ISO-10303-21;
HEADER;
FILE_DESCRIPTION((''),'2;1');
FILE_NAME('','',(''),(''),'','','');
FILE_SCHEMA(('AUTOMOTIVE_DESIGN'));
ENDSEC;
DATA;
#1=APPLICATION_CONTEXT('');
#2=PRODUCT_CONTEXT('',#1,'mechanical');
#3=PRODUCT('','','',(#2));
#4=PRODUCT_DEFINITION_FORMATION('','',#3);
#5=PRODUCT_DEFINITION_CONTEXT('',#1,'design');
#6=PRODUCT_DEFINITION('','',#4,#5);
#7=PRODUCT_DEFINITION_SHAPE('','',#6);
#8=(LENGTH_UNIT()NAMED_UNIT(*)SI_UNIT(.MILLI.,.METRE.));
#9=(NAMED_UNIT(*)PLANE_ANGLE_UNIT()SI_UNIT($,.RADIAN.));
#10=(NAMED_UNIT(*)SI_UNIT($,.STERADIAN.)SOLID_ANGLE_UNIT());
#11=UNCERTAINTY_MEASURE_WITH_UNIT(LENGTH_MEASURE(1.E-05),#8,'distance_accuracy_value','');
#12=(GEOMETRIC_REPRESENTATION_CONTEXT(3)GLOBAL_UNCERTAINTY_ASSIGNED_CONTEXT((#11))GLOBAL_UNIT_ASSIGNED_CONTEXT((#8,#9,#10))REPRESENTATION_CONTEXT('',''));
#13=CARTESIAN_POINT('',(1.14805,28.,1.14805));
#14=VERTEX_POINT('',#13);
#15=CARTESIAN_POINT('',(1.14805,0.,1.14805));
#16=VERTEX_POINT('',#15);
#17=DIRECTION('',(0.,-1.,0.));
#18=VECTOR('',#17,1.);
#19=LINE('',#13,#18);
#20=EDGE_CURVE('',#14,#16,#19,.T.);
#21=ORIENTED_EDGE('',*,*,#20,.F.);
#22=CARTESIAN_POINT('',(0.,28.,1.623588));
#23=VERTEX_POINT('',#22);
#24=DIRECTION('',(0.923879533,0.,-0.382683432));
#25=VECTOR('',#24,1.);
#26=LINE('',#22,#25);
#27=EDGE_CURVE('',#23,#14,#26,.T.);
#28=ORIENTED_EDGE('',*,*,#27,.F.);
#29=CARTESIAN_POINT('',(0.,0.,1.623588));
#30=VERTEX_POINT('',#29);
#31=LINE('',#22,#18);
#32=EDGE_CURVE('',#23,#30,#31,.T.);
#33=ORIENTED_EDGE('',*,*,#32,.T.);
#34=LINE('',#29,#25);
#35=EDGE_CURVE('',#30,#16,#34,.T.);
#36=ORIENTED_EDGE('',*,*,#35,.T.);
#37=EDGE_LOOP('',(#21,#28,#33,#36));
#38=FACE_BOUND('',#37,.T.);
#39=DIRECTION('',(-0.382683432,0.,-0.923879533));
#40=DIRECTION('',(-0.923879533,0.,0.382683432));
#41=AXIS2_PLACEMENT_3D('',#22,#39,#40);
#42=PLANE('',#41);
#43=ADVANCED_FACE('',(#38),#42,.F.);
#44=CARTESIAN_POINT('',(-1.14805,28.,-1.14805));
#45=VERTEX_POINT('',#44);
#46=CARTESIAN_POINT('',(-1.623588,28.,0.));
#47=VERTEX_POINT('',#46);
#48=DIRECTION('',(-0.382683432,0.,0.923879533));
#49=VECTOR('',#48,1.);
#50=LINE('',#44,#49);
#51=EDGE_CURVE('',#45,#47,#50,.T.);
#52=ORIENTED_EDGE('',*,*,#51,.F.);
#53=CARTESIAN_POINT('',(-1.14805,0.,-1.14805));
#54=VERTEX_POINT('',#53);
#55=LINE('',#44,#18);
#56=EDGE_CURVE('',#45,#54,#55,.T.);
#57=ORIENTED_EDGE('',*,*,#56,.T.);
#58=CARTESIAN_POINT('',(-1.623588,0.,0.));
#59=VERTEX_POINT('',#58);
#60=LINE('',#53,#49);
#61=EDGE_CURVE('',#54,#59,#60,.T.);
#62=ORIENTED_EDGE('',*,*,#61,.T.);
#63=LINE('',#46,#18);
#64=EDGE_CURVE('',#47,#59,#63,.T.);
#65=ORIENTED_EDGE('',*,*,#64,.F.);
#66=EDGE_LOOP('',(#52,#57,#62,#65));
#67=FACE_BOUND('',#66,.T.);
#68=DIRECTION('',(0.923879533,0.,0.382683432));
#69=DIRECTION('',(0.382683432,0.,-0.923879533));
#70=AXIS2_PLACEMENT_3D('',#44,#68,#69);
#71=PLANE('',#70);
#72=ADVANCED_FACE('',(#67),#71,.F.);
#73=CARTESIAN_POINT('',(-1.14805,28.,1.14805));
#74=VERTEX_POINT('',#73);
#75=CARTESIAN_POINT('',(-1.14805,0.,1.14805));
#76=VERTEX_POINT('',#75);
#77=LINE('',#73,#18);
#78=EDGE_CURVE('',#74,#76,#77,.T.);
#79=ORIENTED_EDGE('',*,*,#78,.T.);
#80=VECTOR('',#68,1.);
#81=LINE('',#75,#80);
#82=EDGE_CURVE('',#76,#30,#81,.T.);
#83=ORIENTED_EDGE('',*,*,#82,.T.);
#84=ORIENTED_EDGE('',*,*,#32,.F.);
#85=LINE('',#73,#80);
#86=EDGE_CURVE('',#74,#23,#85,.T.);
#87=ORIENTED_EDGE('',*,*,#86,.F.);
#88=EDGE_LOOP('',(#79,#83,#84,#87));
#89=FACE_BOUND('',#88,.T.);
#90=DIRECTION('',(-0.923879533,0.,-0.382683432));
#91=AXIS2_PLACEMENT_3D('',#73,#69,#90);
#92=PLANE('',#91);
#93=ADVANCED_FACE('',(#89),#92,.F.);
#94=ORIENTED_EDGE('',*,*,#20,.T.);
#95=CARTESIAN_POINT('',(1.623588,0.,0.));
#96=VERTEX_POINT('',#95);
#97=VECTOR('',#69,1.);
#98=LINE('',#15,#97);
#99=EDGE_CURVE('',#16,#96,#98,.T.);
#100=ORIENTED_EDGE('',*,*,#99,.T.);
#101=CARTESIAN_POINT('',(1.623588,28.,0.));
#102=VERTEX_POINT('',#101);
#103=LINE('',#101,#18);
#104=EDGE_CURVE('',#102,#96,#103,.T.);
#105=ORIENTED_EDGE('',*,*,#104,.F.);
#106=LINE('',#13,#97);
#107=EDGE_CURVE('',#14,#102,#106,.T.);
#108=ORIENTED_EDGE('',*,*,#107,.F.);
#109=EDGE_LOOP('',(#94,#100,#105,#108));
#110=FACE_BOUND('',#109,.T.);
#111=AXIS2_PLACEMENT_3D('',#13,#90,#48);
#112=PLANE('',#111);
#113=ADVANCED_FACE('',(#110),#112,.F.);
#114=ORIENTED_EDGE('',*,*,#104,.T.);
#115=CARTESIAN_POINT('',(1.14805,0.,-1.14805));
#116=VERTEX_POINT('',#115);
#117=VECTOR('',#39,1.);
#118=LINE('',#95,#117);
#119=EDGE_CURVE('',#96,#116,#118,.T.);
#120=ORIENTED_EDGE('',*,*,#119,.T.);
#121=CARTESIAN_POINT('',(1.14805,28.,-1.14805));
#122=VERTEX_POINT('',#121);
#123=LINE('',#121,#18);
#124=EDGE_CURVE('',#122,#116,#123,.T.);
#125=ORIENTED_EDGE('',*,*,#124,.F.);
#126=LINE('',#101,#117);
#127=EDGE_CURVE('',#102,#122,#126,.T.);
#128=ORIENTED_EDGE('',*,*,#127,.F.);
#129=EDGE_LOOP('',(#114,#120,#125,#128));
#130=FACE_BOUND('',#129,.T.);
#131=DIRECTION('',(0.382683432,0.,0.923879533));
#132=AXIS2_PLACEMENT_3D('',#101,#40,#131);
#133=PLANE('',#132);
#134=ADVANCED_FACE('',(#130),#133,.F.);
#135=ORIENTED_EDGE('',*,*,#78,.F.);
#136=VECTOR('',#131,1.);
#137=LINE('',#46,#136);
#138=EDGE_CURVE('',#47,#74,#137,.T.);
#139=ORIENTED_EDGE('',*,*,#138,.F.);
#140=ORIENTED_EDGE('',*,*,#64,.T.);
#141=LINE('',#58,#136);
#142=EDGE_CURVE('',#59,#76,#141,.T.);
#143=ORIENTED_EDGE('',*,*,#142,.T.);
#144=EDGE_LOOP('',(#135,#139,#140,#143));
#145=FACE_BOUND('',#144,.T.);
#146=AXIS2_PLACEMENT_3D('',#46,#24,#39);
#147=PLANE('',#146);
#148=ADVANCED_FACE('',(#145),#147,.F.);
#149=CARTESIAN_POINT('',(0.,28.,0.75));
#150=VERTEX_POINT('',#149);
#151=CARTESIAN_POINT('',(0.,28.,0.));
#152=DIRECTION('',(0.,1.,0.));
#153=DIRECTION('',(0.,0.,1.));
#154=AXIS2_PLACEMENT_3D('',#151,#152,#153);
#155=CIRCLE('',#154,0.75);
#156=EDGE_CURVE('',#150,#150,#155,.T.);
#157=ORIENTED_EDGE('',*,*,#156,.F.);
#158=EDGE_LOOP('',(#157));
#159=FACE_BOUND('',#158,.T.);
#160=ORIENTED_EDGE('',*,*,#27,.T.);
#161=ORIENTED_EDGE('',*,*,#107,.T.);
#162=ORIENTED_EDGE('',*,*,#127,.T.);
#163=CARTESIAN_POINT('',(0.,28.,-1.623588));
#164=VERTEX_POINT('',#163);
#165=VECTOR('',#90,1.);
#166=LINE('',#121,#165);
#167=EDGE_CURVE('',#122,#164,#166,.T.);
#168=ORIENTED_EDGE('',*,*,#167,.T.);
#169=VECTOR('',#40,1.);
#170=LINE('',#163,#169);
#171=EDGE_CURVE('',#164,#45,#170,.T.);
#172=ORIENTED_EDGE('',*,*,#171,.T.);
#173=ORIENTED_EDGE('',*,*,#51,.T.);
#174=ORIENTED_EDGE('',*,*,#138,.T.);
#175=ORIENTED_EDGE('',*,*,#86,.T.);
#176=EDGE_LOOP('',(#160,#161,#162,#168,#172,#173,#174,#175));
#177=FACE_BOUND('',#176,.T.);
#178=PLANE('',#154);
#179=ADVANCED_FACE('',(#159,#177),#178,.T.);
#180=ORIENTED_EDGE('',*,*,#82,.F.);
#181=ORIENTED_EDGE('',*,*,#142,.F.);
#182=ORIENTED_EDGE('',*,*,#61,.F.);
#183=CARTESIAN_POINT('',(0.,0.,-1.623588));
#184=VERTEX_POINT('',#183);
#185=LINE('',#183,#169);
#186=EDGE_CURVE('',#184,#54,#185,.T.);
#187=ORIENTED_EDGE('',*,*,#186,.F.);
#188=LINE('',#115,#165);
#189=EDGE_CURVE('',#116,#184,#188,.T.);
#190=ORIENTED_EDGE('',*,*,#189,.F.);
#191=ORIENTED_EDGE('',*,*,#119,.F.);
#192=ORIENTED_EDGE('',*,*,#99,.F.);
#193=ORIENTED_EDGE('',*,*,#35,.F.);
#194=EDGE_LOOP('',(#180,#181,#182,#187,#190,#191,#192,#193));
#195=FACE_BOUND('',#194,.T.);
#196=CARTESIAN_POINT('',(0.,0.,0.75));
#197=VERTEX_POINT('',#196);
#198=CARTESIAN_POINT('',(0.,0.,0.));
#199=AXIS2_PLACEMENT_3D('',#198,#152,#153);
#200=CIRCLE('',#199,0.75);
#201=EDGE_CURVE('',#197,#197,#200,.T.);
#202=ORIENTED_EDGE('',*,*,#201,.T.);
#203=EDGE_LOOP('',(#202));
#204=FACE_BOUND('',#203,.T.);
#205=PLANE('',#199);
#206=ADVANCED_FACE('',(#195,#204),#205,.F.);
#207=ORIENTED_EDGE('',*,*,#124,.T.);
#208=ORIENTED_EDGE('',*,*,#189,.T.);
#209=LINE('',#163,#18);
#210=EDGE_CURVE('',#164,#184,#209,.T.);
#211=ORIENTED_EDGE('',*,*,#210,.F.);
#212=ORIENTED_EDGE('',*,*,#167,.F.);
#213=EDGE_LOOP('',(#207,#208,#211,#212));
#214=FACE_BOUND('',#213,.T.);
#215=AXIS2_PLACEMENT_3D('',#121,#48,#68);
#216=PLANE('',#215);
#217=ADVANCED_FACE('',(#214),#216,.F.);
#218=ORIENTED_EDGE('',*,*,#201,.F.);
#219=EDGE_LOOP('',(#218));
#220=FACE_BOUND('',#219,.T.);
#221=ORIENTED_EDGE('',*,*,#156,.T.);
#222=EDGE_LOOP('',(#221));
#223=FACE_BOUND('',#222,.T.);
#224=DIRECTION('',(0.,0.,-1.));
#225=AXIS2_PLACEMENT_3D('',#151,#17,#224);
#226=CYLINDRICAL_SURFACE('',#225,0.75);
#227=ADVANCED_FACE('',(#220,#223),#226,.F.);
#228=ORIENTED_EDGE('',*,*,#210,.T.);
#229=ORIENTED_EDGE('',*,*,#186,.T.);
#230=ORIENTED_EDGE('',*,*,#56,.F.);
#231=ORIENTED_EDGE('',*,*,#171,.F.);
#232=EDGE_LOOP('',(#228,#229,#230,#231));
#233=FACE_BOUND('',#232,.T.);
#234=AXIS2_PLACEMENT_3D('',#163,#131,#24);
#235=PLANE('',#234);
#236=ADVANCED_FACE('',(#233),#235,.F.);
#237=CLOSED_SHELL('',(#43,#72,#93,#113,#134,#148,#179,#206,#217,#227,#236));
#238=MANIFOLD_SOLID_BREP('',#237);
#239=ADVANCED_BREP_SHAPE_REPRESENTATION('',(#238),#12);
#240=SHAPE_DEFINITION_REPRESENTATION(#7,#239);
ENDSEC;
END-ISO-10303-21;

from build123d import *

# Parameters (mm, degrees)
SKETCH1_R           = 0.75
BOSS_EXTRUDE1_DEPTH = 28


with BuildPart() as part:
    # Sketch1 → Boss-Extrude1 (new body)
    with BuildSketch(Plane(origin=(0, 0, 0), x_dir=(1, 0, 0), z_dir=(0, 1, 0))):
        Polygon((1.6235883, 0), (1.148050297, 1.148050297), (0, 1.6235883), (-1.148050297, 1.148050297), (-1.6235883, 0), (-1.148050297, -1.148050297), (0, -1.6235883), (1.148050297, -1.148050297), align=None)
        with Locations(Location((0, 0, 0), (0, 0, 270))):
            Circle(SKETCH1_R, mode=Mode.SUBTRACT)
    extrude(amount=BOSS_EXTRUDE1_DEPTH)


solid = part.part
